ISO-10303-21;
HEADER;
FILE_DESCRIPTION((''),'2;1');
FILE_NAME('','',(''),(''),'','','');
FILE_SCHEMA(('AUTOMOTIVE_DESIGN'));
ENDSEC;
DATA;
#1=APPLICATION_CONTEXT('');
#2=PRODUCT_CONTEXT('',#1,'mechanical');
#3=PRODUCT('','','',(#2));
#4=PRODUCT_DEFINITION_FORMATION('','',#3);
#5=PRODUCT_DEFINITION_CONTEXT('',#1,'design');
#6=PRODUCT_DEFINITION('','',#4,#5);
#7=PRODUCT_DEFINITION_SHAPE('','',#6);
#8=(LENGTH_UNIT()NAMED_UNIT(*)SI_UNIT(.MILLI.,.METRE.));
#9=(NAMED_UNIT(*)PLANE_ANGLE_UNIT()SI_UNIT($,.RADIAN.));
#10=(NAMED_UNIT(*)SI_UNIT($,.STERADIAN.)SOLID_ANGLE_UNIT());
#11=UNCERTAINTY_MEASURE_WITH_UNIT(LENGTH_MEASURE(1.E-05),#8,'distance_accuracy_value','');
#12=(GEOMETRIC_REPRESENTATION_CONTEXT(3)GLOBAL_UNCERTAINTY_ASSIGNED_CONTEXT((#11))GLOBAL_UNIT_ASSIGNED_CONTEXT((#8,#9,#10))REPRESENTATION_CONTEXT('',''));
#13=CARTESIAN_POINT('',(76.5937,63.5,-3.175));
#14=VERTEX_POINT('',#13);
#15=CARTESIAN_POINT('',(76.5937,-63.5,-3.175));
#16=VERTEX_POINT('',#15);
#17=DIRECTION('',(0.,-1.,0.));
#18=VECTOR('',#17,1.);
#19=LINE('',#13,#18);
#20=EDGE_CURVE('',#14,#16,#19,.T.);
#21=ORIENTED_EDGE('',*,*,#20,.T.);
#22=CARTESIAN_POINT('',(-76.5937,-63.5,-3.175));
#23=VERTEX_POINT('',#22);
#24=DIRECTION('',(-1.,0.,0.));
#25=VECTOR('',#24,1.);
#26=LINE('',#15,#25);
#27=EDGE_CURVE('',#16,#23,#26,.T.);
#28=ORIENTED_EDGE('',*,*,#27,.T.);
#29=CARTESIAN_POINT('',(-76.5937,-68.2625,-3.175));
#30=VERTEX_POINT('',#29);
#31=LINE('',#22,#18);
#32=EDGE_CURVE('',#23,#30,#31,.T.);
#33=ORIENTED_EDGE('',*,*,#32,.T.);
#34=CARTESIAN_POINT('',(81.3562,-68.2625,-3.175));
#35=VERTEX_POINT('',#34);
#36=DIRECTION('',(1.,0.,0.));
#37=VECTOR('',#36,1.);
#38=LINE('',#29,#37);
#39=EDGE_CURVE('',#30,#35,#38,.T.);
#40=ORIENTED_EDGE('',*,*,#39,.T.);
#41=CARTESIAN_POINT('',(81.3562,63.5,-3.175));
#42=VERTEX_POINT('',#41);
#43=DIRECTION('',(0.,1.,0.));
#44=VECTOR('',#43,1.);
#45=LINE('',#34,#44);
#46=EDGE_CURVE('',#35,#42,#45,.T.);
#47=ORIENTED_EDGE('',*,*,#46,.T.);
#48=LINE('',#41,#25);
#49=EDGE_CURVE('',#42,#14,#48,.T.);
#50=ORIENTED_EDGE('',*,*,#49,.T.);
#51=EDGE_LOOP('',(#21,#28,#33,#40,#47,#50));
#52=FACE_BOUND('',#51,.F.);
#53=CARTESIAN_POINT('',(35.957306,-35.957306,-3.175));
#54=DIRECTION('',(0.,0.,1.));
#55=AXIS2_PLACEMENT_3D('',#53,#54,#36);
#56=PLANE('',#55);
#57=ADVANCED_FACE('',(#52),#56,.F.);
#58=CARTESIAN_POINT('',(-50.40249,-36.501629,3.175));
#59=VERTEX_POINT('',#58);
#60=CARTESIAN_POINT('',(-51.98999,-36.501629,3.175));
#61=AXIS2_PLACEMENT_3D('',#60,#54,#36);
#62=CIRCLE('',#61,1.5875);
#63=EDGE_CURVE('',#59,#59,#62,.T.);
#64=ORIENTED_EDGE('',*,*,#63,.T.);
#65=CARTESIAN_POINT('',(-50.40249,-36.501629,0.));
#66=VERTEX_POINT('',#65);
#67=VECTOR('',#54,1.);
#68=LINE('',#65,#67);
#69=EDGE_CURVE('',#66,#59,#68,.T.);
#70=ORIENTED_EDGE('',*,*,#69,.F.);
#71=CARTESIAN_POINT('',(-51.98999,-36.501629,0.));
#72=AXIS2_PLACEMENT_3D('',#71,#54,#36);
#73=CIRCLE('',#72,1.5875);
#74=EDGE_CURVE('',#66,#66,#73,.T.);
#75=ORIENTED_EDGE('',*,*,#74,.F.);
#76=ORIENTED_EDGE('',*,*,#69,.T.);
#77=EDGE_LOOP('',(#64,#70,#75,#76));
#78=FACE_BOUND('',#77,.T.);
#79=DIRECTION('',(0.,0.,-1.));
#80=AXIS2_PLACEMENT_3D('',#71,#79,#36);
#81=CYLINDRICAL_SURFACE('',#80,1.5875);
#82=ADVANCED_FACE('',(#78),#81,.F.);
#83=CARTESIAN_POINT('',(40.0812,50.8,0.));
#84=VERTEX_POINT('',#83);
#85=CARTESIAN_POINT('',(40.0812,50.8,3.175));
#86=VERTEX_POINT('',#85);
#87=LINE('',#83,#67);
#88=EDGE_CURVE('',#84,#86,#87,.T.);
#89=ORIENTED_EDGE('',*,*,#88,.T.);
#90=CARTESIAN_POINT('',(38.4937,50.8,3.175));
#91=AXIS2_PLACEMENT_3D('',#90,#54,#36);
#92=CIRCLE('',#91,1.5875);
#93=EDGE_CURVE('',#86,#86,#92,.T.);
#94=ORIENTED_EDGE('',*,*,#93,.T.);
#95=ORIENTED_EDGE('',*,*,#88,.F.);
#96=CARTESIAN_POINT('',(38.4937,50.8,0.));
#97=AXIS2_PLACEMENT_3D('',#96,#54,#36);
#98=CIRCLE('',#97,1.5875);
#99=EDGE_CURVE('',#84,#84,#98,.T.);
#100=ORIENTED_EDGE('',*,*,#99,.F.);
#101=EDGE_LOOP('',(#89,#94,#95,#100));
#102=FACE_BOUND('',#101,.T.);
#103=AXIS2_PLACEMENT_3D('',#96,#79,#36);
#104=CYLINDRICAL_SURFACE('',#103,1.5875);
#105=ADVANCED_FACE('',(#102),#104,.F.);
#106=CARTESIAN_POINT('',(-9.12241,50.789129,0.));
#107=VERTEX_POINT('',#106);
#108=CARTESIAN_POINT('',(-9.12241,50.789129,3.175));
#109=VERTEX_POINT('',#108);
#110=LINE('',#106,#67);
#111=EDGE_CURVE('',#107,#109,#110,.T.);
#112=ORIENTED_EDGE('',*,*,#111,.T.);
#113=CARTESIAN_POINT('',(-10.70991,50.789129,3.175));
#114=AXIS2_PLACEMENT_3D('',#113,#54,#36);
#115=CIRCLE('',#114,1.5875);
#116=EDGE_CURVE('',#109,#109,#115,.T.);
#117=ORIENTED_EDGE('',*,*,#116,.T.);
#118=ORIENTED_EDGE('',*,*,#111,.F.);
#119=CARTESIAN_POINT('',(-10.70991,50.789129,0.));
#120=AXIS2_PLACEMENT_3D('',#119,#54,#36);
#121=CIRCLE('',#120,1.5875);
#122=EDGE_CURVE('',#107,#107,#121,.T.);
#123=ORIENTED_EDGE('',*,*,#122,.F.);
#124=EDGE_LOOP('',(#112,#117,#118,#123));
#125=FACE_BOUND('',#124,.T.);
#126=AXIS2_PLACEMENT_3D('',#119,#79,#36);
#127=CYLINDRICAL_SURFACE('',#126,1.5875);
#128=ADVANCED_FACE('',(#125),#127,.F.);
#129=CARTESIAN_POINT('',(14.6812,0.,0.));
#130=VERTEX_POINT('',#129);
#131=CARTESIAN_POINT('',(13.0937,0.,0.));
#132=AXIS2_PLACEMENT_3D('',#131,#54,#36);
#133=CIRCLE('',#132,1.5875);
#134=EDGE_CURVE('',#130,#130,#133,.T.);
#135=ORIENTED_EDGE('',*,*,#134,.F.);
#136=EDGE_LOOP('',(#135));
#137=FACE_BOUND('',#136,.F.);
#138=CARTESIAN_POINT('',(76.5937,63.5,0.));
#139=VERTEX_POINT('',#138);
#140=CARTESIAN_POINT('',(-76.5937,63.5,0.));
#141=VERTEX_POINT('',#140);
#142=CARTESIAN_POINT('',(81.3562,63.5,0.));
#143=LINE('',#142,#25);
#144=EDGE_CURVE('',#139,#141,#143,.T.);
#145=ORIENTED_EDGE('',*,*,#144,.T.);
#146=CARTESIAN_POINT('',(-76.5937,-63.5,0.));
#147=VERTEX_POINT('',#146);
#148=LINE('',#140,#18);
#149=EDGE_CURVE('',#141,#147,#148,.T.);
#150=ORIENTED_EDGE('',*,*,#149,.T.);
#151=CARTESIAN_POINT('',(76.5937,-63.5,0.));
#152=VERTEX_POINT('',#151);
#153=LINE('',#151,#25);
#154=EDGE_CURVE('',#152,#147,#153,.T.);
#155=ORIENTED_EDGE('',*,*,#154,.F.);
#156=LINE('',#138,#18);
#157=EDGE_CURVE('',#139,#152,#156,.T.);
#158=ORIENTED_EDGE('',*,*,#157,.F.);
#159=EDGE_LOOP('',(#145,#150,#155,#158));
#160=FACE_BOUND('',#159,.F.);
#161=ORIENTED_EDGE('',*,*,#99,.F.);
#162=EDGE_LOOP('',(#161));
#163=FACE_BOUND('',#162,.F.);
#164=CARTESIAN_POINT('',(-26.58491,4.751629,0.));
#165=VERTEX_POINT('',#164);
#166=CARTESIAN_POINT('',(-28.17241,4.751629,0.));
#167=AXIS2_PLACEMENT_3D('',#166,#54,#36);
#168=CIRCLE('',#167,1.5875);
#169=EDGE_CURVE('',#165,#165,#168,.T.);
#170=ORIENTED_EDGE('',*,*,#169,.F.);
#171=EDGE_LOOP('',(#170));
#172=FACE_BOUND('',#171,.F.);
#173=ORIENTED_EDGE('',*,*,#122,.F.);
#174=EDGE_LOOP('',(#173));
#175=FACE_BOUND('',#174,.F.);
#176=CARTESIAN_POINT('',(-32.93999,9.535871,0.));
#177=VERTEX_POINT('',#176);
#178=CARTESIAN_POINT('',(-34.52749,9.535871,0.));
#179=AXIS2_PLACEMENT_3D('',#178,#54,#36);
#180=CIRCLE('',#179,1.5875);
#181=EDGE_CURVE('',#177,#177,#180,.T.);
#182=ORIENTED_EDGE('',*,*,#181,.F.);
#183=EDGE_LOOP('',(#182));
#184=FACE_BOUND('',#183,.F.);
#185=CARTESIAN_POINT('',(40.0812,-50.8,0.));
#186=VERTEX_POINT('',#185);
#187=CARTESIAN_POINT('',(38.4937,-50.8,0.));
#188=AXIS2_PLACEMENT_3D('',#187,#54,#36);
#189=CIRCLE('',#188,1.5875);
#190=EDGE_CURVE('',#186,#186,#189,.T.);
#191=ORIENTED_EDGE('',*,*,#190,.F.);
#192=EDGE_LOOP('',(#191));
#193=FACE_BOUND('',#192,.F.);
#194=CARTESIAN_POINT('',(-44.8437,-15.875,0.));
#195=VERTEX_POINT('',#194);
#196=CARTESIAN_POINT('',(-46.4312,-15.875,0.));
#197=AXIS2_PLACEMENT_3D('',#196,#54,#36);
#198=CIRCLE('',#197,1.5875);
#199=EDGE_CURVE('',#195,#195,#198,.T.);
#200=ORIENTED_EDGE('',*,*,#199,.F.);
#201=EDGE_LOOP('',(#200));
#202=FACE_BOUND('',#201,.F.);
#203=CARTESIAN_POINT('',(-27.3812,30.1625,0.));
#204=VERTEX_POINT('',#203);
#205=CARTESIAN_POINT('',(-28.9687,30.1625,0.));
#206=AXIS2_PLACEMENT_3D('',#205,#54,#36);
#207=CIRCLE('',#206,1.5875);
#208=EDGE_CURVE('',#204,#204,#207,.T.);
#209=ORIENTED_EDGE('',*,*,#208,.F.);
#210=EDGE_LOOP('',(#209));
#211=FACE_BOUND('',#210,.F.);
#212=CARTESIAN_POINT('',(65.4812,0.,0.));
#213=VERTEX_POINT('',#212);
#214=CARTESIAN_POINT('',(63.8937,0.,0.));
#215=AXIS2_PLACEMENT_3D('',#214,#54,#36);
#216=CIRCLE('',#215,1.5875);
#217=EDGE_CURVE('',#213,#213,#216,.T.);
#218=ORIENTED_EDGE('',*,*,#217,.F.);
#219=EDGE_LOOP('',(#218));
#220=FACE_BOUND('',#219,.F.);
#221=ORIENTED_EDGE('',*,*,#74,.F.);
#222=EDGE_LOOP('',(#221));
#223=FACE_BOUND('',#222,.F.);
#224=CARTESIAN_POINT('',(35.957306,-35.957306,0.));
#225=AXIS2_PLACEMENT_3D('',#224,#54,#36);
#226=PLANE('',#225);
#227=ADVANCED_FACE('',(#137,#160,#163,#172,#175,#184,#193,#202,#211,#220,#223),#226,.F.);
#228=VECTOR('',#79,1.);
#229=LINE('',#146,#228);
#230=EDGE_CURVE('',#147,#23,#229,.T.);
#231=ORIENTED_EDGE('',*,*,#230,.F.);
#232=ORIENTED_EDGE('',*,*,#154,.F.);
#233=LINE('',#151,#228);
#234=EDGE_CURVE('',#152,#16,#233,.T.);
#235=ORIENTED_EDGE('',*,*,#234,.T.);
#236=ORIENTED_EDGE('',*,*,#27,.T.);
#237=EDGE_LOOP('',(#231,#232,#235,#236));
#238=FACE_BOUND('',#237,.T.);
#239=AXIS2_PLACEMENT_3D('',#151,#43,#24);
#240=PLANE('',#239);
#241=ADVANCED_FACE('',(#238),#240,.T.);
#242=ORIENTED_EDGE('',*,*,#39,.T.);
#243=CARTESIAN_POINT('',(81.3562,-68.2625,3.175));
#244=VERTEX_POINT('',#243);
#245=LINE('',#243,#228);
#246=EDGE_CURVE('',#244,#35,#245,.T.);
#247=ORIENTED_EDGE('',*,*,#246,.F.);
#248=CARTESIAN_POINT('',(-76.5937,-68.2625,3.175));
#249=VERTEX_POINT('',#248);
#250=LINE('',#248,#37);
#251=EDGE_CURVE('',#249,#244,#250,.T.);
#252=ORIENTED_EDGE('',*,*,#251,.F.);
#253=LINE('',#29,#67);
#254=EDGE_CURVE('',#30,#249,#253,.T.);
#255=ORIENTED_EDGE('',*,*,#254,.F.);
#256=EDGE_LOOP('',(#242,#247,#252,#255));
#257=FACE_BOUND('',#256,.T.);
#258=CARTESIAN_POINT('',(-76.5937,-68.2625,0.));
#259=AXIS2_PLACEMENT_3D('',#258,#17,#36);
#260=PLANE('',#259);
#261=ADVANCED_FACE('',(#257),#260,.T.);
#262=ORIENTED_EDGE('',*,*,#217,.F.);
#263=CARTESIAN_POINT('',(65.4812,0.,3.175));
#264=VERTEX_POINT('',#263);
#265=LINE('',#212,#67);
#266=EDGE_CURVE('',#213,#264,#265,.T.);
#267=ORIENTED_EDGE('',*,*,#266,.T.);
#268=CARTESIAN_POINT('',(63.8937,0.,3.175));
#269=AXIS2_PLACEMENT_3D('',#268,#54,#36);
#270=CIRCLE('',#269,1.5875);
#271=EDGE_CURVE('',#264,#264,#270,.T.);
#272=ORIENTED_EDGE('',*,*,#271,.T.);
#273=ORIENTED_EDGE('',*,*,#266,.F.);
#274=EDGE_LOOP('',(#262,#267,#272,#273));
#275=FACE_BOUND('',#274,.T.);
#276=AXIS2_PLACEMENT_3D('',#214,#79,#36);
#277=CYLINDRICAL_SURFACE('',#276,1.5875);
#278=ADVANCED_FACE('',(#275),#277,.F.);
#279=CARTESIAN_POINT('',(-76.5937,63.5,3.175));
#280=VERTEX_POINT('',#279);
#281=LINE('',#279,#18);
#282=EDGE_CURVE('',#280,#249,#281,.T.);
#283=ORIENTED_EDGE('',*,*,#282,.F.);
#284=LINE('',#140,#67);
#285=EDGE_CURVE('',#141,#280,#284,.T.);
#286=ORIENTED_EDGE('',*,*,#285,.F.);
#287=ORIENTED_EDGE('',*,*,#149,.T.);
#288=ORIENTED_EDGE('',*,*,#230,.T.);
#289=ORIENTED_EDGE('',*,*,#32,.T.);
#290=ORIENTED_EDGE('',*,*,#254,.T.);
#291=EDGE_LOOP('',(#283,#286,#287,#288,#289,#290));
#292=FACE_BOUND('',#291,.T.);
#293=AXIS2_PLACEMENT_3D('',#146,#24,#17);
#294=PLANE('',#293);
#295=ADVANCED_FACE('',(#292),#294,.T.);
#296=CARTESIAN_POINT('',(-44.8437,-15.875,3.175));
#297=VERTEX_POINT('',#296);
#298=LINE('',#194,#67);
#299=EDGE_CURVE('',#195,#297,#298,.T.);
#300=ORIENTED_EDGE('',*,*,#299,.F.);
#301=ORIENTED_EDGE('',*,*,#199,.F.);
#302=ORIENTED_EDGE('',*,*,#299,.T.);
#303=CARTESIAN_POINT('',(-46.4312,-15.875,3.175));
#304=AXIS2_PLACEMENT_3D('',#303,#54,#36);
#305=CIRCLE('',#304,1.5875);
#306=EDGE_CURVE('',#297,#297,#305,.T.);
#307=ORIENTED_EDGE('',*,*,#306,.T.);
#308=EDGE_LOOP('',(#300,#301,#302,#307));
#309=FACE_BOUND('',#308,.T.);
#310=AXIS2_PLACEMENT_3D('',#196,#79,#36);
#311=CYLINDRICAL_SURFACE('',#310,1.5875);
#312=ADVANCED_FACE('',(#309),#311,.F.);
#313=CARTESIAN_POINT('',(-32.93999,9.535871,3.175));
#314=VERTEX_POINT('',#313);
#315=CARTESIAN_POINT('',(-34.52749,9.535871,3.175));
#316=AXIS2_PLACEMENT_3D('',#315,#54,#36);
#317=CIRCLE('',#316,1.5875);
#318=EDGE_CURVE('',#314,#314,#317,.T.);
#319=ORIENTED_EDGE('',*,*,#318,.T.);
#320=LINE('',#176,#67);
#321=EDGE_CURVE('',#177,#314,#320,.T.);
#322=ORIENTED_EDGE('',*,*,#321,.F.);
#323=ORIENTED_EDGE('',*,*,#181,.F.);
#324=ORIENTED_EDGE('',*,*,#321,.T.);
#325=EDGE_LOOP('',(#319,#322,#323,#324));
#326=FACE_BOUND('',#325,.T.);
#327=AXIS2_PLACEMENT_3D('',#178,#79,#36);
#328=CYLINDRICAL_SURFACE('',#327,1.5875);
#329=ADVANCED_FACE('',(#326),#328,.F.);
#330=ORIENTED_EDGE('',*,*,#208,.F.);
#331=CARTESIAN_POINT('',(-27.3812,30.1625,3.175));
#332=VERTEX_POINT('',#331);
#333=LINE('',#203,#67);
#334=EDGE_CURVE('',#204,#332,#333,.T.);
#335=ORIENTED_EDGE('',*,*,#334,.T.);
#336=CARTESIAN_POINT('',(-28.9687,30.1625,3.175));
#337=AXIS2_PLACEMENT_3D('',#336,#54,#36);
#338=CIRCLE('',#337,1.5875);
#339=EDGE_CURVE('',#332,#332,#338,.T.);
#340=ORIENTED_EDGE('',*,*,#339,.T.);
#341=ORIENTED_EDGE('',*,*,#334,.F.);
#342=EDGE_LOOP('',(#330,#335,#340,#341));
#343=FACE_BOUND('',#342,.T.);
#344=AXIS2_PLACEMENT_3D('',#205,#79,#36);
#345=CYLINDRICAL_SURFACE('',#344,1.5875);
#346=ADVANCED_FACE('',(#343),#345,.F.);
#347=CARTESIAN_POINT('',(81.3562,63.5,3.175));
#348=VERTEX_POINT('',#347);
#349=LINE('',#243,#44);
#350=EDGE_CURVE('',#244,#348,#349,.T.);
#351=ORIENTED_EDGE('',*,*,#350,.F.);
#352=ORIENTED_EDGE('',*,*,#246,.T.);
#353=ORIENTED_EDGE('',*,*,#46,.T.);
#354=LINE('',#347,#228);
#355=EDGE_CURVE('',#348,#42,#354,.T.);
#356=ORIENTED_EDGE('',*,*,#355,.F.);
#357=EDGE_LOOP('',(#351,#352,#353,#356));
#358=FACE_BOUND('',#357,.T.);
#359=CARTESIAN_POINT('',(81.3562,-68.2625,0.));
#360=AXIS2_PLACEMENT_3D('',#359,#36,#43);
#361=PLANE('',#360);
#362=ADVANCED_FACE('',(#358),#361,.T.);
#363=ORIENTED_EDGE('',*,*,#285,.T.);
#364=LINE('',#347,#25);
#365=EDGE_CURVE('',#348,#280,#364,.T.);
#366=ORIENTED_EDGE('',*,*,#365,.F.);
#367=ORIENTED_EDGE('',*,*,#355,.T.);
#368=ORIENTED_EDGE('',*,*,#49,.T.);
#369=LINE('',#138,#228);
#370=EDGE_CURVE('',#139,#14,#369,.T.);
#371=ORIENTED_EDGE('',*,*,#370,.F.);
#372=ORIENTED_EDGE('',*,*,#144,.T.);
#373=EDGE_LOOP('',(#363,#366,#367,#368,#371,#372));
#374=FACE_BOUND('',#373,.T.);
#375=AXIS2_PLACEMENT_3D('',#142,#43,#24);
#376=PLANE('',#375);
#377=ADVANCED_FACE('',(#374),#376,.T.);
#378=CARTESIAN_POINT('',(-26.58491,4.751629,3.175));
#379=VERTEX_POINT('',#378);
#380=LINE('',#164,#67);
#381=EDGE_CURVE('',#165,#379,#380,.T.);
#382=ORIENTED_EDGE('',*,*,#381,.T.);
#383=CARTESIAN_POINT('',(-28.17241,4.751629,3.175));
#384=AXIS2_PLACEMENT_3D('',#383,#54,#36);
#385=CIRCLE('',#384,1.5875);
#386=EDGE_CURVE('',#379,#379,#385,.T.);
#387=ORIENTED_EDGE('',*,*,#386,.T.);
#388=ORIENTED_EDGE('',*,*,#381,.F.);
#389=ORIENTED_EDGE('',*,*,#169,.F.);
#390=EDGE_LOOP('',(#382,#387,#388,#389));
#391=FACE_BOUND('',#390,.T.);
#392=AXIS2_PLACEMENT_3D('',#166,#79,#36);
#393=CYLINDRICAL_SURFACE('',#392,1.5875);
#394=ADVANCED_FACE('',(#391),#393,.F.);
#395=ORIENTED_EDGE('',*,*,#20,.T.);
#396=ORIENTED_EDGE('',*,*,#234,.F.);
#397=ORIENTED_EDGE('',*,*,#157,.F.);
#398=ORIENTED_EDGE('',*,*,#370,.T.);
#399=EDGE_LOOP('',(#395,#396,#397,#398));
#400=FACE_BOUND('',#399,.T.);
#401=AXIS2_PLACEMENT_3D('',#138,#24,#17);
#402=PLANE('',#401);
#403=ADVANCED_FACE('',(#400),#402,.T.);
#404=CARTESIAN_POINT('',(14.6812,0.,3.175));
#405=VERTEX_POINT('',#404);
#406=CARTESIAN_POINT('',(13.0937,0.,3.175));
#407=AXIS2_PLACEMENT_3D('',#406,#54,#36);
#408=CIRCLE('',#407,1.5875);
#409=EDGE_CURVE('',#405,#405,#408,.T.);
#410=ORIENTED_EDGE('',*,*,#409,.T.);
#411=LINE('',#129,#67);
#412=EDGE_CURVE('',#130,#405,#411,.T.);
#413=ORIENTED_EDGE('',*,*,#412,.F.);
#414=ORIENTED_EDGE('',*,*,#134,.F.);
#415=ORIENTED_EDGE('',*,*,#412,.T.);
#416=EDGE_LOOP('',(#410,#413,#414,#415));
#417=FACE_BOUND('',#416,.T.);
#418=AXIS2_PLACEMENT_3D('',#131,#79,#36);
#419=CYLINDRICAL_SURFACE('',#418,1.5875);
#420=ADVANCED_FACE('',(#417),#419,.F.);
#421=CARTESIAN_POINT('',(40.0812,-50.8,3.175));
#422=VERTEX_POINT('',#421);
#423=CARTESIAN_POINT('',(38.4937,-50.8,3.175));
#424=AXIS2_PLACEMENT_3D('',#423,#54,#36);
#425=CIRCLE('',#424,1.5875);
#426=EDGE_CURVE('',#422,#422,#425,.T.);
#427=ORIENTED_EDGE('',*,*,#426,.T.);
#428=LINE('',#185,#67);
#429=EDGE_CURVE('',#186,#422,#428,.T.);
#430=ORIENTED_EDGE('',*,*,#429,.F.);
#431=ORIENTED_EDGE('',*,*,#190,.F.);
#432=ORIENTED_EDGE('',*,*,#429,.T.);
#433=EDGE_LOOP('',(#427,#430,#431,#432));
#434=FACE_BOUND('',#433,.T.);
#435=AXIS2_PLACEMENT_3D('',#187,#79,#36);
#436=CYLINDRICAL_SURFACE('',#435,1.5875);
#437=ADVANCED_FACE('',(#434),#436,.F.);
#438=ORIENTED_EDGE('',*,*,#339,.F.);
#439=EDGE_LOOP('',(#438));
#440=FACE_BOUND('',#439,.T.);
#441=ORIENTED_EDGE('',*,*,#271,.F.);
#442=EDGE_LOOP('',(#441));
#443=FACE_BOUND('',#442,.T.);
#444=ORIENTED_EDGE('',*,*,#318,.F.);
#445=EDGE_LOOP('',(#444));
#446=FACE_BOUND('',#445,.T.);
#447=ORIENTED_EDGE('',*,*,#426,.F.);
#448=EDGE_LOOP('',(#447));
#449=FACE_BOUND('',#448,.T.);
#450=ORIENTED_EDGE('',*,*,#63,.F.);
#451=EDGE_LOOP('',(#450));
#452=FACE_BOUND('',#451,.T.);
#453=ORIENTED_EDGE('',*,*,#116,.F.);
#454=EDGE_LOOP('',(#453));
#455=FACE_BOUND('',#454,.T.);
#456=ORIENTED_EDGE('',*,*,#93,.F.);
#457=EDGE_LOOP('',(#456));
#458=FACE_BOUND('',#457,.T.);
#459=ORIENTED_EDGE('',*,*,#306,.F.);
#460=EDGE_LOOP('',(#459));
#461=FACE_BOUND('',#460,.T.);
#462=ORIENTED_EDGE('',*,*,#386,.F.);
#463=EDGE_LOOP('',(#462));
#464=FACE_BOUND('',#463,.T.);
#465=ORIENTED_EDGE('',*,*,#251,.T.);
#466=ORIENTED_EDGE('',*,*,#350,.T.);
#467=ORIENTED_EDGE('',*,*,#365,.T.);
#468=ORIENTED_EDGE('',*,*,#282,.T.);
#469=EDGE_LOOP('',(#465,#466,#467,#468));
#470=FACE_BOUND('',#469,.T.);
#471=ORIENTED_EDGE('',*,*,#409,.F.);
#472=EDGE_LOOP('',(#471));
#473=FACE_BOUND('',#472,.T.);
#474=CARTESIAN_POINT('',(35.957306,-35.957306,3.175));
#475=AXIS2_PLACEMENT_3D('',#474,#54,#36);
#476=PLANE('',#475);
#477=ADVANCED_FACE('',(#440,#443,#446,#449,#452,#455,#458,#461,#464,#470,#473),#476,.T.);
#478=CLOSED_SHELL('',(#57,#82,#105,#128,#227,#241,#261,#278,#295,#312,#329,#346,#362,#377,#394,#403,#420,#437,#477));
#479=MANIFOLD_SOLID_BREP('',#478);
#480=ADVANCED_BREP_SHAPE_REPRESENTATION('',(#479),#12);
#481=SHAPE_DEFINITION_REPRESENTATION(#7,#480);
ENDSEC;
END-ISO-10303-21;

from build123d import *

# Parameters (mm, degrees)
F0_W     = 153.1874
F0_H     = 127
F0_R     = 1.5875
F1_DEPTH = 3.175
F2_DEPTH = 3.175


with BuildPart() as f1:
    # F0 (on Top) → F1 (new body)
    with BuildSketch(Plane.XY):
        Polygon((76.5937, 63.5), (76.5937, -63.5), (-76.5937, -63.5), (-76.5937, -68.2625), (81.3562, -68.2625), (81.3562, 63.5), align=None)
        Rectangle(F0_W, F0_H)
        with Locations((-51.98999, -36.501629)):
            Circle(F0_R, mode=Mode.SUBTRACT)
        with Locations((-46.4312, -15.875)):
            Circle(F0_R, mode=Mode.SUBTRACT)
        with Locations((38.4937, -50.8)):
            Circle(F0_R, mode=Mode.SUBTRACT)
        with Locations((-28.17241, 4.751629)):
            Circle(F0_R, mode=Mode.SUBTRACT)
        with Locations((-34.52749, 9.535871)):
            Circle(F0_R, mode=Mode.SUBTRACT)
        with Locations((-28.9687, 30.1625)):
            Circle(F0_R, mode=Mode.SUBTRACT)
        with Locations((-10.70991, 50.789129)):
            Circle(F0_R, mode=Mode.SUBTRACT)
        with Locations((13.0937, 0)):
            Circle(F0_R, mode=Mode.SUBTRACT)
        with Locations((63.8937, 0)):
            Circle(F0_R, mode=Mode.SUBTRACT)
        with Locations((38.4937, 50.8)):
            Circle(F0_R, mode=Mode.SUBTRACT)
    extrude(amount=F1_DEPTH)

    # F0 (on Top) → F2 (join)
    with BuildSketch(Plane.XY):
        Polygon((76.5937, 63.5), (76.5937, -63.5), (-76.5937, -63.5), (-76.5937, -68.2625), (81.3562, -68.2625), (81.3562, 63.5), align=None)
    extrude(amount=-F2_DEPTH)


solid = f1.part
